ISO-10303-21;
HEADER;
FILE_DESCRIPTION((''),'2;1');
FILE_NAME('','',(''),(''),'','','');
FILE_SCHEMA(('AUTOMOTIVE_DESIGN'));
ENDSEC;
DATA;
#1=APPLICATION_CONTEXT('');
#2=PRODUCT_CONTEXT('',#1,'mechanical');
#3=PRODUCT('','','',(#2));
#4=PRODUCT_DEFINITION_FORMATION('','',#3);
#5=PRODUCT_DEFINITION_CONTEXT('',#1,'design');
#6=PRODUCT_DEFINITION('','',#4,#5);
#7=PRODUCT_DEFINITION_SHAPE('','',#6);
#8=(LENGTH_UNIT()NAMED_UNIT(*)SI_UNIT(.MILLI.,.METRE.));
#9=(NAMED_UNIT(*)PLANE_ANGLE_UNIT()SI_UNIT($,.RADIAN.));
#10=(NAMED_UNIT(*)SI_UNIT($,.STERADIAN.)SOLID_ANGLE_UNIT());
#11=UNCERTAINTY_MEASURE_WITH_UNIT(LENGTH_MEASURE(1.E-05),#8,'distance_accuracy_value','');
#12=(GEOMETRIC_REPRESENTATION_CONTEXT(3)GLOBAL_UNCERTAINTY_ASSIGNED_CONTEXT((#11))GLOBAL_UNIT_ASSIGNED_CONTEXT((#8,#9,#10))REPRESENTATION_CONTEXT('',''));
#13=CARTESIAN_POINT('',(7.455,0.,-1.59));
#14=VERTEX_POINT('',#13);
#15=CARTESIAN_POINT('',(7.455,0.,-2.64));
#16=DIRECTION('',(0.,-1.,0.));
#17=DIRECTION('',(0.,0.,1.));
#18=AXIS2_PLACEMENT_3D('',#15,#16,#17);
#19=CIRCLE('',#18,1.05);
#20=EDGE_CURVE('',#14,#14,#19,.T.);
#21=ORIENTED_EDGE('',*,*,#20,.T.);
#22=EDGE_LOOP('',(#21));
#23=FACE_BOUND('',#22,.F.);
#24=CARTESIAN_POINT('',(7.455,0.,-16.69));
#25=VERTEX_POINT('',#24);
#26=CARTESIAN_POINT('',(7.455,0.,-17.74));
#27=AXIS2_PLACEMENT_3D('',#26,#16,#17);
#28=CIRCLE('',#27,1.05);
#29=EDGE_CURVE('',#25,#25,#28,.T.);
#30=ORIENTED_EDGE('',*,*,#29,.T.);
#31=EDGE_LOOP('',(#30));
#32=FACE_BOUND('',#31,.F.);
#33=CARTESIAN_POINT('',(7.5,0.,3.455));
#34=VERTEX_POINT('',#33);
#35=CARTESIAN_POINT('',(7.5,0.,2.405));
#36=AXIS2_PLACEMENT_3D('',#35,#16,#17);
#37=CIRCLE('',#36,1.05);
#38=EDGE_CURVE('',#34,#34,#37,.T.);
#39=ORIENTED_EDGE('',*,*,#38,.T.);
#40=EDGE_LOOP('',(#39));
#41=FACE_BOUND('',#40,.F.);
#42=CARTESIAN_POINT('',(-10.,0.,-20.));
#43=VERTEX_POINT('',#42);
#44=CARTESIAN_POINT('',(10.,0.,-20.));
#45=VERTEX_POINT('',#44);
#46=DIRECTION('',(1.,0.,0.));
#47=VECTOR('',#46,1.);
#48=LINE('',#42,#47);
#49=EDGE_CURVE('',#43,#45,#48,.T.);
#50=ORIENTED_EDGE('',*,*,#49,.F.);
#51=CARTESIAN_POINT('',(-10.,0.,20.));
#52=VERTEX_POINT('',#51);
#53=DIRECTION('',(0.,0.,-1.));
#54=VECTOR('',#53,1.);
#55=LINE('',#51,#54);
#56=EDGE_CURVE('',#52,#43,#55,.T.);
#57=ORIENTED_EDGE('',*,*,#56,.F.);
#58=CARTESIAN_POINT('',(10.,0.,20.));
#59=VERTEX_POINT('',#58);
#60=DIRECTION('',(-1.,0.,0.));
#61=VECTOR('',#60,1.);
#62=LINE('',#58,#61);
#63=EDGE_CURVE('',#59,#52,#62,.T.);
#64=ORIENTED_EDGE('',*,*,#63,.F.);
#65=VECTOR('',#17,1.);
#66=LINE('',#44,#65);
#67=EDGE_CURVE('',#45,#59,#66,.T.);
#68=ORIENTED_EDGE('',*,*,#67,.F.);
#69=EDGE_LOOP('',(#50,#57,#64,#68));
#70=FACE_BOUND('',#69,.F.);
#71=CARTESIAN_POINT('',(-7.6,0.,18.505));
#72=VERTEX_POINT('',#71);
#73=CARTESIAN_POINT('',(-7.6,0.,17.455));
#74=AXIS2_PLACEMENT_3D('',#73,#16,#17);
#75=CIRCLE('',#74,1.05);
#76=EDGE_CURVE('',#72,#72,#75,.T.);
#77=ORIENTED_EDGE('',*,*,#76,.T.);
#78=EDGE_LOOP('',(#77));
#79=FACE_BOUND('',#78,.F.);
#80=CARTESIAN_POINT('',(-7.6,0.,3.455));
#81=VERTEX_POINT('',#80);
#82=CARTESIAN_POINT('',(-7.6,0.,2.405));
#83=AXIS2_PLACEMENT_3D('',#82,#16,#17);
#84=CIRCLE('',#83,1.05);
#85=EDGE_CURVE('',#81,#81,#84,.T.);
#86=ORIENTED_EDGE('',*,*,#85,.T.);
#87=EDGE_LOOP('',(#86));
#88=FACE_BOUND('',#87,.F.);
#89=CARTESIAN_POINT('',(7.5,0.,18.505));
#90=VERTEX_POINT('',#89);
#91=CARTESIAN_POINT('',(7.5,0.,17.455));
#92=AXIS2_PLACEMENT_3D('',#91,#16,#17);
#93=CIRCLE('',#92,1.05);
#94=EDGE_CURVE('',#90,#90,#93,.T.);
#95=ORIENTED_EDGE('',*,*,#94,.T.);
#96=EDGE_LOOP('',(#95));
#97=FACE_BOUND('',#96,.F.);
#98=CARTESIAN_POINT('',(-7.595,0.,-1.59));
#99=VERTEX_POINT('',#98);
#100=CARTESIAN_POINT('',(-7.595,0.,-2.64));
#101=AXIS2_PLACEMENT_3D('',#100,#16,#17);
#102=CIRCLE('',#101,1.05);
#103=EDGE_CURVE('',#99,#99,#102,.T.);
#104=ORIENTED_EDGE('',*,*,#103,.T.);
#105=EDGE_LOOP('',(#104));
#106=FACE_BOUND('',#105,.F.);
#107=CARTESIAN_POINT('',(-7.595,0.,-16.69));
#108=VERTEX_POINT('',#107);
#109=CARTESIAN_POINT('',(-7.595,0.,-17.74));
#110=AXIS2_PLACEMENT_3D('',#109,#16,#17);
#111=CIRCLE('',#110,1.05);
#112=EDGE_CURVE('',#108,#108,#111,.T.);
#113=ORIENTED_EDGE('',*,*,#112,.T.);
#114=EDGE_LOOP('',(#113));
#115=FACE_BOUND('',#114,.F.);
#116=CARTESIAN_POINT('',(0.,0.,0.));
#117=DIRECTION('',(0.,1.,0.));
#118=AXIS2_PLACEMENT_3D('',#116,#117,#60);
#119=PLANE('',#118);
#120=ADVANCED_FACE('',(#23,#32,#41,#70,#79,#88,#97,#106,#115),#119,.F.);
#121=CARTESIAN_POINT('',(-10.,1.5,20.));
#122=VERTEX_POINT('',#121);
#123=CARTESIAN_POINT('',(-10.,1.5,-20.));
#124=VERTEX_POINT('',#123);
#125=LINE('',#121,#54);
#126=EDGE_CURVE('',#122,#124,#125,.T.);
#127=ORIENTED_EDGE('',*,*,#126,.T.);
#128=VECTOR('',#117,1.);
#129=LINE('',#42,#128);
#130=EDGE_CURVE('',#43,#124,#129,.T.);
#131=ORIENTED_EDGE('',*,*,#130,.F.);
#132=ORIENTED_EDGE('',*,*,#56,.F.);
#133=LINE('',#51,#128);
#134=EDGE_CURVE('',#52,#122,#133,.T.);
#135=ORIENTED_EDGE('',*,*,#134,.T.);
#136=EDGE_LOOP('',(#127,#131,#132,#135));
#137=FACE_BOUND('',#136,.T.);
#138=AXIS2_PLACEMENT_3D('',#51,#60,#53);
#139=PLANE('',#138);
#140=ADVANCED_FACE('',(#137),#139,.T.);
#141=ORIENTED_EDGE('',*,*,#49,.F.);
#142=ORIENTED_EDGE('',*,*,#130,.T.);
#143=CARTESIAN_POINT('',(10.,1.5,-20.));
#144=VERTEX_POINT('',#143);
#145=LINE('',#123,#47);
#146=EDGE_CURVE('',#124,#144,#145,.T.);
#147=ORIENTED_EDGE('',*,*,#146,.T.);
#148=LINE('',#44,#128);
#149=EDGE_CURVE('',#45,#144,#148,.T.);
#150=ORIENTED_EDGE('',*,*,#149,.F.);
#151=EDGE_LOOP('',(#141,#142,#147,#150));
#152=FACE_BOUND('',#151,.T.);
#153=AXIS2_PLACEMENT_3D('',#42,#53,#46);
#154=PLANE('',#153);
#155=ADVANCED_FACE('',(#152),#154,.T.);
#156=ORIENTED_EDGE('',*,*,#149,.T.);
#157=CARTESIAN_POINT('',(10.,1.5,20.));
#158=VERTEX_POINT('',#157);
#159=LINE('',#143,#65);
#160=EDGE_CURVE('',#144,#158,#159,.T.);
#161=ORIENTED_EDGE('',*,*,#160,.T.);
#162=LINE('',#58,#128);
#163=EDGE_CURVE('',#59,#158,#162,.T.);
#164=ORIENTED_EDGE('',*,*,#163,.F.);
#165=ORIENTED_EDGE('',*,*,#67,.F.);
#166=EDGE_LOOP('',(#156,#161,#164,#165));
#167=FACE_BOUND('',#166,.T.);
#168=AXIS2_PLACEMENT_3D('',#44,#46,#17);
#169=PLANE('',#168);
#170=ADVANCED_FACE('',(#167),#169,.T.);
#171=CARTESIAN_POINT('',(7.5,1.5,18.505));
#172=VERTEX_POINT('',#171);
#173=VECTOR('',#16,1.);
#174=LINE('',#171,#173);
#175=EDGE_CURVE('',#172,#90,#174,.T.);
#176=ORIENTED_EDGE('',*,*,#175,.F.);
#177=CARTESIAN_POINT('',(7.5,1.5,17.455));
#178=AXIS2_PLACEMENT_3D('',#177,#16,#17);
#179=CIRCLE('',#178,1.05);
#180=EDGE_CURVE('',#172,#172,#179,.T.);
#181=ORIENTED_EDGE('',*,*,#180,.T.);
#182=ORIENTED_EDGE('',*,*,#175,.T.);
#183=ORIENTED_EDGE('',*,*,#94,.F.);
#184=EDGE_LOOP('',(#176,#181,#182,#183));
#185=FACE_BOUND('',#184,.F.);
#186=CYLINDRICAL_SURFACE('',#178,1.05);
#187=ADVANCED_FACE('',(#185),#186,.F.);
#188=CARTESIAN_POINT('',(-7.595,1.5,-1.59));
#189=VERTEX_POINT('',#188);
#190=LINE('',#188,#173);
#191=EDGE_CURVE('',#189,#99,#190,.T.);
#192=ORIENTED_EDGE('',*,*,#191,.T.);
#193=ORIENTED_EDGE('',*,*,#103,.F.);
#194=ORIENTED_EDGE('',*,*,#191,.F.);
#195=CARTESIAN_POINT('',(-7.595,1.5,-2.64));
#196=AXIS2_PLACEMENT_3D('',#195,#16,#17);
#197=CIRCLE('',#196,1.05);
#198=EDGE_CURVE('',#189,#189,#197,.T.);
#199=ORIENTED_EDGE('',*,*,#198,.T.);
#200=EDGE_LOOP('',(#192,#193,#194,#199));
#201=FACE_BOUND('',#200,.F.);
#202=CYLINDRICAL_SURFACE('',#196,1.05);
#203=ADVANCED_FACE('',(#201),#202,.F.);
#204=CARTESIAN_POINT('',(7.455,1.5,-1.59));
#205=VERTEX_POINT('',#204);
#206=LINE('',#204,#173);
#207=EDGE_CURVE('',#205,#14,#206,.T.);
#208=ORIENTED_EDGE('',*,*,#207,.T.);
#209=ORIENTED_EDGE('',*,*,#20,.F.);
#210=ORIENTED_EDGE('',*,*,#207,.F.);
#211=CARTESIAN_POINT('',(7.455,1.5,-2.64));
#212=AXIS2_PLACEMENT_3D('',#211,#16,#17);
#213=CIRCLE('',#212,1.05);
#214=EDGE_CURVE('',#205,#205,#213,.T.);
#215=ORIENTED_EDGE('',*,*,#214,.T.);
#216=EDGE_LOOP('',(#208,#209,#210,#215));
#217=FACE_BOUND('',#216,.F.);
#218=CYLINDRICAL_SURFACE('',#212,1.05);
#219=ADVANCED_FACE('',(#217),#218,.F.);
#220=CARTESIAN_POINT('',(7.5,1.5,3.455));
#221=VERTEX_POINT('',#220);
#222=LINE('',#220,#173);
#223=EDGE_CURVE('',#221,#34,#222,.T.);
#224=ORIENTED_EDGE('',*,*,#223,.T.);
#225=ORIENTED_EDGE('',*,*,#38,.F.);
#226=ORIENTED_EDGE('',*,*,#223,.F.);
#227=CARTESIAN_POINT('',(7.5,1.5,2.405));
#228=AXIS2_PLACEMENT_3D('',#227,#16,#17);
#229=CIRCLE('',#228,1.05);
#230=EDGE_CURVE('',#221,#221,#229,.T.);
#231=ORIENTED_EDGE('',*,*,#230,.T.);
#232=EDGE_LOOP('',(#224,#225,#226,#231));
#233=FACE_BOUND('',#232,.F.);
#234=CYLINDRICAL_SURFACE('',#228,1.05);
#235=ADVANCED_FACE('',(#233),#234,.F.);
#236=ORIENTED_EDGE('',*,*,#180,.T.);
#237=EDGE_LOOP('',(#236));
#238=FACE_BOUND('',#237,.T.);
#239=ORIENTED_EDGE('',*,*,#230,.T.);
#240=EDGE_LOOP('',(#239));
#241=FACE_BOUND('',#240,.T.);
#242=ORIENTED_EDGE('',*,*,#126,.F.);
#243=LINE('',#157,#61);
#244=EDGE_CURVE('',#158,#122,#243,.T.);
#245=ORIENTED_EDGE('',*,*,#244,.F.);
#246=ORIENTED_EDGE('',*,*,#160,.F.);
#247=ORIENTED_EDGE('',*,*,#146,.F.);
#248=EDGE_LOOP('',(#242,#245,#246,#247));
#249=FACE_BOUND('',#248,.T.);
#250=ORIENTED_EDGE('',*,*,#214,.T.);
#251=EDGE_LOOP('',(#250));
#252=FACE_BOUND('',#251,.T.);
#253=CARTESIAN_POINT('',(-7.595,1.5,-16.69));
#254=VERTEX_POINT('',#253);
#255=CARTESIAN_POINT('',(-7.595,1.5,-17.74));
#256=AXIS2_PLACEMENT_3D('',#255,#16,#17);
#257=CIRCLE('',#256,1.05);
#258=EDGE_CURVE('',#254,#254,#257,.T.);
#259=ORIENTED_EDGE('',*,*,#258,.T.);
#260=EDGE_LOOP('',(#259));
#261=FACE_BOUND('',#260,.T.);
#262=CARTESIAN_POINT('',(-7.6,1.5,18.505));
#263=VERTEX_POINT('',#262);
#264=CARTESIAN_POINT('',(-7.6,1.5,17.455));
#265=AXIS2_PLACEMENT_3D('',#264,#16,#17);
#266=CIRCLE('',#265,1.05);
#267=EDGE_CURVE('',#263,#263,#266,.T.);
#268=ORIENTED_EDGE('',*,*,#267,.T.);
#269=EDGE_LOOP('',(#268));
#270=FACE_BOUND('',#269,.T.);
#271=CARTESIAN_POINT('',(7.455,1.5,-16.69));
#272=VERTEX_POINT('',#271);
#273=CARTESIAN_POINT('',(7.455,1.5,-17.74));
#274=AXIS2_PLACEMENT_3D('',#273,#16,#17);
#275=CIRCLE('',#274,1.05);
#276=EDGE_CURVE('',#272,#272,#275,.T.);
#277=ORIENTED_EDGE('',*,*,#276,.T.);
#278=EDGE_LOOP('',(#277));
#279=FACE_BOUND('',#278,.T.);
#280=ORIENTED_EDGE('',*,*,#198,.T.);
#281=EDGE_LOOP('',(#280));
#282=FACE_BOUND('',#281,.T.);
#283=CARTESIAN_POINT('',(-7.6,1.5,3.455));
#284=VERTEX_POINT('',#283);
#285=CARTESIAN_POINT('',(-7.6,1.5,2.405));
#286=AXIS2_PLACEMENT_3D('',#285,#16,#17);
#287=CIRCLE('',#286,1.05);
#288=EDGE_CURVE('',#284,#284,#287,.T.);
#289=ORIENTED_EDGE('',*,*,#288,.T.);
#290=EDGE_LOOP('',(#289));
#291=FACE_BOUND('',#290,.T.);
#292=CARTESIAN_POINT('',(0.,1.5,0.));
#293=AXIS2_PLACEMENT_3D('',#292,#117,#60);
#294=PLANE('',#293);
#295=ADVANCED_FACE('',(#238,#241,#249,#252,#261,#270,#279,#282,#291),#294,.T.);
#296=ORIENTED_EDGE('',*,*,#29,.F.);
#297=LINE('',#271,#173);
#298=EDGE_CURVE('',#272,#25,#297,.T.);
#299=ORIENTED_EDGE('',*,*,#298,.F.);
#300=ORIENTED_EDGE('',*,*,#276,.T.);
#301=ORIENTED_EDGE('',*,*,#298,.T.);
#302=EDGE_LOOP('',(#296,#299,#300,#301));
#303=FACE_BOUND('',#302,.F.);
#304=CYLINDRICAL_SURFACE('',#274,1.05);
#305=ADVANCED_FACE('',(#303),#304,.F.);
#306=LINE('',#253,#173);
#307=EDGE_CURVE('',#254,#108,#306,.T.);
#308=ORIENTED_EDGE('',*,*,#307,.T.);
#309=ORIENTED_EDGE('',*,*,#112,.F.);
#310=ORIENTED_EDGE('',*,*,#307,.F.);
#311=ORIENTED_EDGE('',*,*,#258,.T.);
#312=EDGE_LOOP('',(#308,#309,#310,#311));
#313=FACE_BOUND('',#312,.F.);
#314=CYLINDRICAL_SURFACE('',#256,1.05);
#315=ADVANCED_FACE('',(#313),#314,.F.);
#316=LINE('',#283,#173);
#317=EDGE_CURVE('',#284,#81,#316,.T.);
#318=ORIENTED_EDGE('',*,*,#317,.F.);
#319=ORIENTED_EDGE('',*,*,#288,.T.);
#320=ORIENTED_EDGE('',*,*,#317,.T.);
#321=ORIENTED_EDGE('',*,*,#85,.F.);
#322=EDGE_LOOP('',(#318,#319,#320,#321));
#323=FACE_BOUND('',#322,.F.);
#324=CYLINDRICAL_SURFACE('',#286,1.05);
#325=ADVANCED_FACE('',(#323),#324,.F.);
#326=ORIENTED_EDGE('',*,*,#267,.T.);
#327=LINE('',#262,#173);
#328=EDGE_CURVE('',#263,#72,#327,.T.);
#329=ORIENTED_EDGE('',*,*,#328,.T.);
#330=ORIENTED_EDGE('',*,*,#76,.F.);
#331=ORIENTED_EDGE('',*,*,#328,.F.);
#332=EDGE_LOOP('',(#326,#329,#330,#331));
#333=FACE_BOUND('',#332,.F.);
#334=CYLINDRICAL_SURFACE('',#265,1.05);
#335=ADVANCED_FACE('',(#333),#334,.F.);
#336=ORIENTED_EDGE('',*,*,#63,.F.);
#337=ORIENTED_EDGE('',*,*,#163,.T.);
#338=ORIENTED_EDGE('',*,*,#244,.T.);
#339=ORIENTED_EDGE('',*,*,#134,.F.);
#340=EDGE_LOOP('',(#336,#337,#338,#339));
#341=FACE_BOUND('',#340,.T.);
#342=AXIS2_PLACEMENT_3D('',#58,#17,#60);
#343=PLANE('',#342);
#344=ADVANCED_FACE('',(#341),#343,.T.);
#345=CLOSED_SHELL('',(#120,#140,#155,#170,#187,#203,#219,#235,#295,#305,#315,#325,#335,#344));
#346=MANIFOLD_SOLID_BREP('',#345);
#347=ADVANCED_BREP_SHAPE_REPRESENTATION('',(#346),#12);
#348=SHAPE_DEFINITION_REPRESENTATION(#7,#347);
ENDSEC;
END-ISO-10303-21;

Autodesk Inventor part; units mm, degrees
ref_plane "YZ Plane" through (0, 0, 0) normal (1, 0, 0) x (0, 1, 0)
ref_plane "XZ Plane" through (0, 0, 0) normal (0, 1, 0) x (-1, 0, 0)
ref_plane "XY Plane" through (0, 0, 0) normal (0, 0, 1) x (1, 0, 0)
sketch "Sketch1" plane through (0, 0, 0) normal (0, 1, 0) x (-1, 0, 0)
  line L0 (-10, 20) -> (10, 20)
  line L1 (10, 20) -> (10, -20)
  line L2 (10, -20) -> (-10, -20)
  line L3 (-10, -20) -> (-10, 20)
  line L4 (-10, 20) -> (10, -20) construction
  line L5 (10, 20) -> (-10, -20) construction
  point P0 (0, 0)
  dimension "d0" = 40
  dimension "d1" = 20
extrude "Plate1" add sketch "Sketch1" along normal blind 1.5
sketch "Sketch2" plane through (0, 1.5, 0) normal (0, 1, 0) x (1, 0, 0)
  circle A0 centre (-7.6, -17.455) radius 0.7835 projected
  line L0 (10, 20) -> (10, -20) projected
  line L1 (-10, 20) -> (10, 20) projected
  line L2 (-10, -20) -> (-10, 20) projected
  line L3 (10, -20) -> (-10, -20) projected
  circle A1 centre (-7.6, -2.405) radius 0.7835 projected
  circle A2 centre (7.5, -2.405) radius 0.7835 projected
  circle A3 centre (7.5, -17.455) radius 0.7835 projected
  point P0 (0, 0)
sketch "Sketch3" plane through (0, 1.5, 0) normal (0, 1, 0) x (1, 0, 0)
  circle A0 centre (-7.595, 2.64) radius 0.7835 projected
  circle A1 centre (7.455, 2.64) radius 0.7835 projected
  circle A2 centre (-7.595, 17.74) radius 0.7835 projected
  line L0 (10, 20) -> (10, -20) projected
  line L1 (-10, 20) -> (10, 20) projected
  line L2 (-10, -20) -> (-10, 20) projected
  line L3 (10, -20) -> (-10, -20) projected
  circle A3 centre (7.455, 17.74) radius 0.7835 projected
  point P0 (0, 0)
hole "Hole1" at (-7.595, 1.5, -17.74) at (7.455, 1.5, -17.74) at (7.455, 1.5, -2.64) at (-7.595, 1.5, -2.64) direction (0, -1, 0) diameter 2.1 depth 1.5
hole "Hole2" at (-7.6, 1.5, 2.405) at (7.5, 1.5, 2.405) at (7.5, 1.5, 17.455) at (-7.6, 1.5, 17.455) direction (0, -1, 0) diameter 2.1 depth 1.5
equation "\"d8\" = Thickness"
equation "\"d15\" = Thickness"
equation "\"d2\" = Thickness"
equation "\"BendReliefWidth\" = Thickness"
equation "\"BendReliefDepth\" = 0.5 * Thickness"
equation "\"CornerReliefSize\" = 4 * Thickness"
equation "\"MinimumRemnant\" = 2 * Thickness"
equation "\"TransitionRadius\" = BendRadius"
equation "\"JacobiRadiusSize\" = BendRadius"
equation "\"GapSize\" = Thickness"
equation "\"Thickness\" = 1.5"
equation "\"BendRadius\" = 0.31"
properties part number "axis_22_bottom_frame(middle)" material "Aluminum 6061-AHC"
